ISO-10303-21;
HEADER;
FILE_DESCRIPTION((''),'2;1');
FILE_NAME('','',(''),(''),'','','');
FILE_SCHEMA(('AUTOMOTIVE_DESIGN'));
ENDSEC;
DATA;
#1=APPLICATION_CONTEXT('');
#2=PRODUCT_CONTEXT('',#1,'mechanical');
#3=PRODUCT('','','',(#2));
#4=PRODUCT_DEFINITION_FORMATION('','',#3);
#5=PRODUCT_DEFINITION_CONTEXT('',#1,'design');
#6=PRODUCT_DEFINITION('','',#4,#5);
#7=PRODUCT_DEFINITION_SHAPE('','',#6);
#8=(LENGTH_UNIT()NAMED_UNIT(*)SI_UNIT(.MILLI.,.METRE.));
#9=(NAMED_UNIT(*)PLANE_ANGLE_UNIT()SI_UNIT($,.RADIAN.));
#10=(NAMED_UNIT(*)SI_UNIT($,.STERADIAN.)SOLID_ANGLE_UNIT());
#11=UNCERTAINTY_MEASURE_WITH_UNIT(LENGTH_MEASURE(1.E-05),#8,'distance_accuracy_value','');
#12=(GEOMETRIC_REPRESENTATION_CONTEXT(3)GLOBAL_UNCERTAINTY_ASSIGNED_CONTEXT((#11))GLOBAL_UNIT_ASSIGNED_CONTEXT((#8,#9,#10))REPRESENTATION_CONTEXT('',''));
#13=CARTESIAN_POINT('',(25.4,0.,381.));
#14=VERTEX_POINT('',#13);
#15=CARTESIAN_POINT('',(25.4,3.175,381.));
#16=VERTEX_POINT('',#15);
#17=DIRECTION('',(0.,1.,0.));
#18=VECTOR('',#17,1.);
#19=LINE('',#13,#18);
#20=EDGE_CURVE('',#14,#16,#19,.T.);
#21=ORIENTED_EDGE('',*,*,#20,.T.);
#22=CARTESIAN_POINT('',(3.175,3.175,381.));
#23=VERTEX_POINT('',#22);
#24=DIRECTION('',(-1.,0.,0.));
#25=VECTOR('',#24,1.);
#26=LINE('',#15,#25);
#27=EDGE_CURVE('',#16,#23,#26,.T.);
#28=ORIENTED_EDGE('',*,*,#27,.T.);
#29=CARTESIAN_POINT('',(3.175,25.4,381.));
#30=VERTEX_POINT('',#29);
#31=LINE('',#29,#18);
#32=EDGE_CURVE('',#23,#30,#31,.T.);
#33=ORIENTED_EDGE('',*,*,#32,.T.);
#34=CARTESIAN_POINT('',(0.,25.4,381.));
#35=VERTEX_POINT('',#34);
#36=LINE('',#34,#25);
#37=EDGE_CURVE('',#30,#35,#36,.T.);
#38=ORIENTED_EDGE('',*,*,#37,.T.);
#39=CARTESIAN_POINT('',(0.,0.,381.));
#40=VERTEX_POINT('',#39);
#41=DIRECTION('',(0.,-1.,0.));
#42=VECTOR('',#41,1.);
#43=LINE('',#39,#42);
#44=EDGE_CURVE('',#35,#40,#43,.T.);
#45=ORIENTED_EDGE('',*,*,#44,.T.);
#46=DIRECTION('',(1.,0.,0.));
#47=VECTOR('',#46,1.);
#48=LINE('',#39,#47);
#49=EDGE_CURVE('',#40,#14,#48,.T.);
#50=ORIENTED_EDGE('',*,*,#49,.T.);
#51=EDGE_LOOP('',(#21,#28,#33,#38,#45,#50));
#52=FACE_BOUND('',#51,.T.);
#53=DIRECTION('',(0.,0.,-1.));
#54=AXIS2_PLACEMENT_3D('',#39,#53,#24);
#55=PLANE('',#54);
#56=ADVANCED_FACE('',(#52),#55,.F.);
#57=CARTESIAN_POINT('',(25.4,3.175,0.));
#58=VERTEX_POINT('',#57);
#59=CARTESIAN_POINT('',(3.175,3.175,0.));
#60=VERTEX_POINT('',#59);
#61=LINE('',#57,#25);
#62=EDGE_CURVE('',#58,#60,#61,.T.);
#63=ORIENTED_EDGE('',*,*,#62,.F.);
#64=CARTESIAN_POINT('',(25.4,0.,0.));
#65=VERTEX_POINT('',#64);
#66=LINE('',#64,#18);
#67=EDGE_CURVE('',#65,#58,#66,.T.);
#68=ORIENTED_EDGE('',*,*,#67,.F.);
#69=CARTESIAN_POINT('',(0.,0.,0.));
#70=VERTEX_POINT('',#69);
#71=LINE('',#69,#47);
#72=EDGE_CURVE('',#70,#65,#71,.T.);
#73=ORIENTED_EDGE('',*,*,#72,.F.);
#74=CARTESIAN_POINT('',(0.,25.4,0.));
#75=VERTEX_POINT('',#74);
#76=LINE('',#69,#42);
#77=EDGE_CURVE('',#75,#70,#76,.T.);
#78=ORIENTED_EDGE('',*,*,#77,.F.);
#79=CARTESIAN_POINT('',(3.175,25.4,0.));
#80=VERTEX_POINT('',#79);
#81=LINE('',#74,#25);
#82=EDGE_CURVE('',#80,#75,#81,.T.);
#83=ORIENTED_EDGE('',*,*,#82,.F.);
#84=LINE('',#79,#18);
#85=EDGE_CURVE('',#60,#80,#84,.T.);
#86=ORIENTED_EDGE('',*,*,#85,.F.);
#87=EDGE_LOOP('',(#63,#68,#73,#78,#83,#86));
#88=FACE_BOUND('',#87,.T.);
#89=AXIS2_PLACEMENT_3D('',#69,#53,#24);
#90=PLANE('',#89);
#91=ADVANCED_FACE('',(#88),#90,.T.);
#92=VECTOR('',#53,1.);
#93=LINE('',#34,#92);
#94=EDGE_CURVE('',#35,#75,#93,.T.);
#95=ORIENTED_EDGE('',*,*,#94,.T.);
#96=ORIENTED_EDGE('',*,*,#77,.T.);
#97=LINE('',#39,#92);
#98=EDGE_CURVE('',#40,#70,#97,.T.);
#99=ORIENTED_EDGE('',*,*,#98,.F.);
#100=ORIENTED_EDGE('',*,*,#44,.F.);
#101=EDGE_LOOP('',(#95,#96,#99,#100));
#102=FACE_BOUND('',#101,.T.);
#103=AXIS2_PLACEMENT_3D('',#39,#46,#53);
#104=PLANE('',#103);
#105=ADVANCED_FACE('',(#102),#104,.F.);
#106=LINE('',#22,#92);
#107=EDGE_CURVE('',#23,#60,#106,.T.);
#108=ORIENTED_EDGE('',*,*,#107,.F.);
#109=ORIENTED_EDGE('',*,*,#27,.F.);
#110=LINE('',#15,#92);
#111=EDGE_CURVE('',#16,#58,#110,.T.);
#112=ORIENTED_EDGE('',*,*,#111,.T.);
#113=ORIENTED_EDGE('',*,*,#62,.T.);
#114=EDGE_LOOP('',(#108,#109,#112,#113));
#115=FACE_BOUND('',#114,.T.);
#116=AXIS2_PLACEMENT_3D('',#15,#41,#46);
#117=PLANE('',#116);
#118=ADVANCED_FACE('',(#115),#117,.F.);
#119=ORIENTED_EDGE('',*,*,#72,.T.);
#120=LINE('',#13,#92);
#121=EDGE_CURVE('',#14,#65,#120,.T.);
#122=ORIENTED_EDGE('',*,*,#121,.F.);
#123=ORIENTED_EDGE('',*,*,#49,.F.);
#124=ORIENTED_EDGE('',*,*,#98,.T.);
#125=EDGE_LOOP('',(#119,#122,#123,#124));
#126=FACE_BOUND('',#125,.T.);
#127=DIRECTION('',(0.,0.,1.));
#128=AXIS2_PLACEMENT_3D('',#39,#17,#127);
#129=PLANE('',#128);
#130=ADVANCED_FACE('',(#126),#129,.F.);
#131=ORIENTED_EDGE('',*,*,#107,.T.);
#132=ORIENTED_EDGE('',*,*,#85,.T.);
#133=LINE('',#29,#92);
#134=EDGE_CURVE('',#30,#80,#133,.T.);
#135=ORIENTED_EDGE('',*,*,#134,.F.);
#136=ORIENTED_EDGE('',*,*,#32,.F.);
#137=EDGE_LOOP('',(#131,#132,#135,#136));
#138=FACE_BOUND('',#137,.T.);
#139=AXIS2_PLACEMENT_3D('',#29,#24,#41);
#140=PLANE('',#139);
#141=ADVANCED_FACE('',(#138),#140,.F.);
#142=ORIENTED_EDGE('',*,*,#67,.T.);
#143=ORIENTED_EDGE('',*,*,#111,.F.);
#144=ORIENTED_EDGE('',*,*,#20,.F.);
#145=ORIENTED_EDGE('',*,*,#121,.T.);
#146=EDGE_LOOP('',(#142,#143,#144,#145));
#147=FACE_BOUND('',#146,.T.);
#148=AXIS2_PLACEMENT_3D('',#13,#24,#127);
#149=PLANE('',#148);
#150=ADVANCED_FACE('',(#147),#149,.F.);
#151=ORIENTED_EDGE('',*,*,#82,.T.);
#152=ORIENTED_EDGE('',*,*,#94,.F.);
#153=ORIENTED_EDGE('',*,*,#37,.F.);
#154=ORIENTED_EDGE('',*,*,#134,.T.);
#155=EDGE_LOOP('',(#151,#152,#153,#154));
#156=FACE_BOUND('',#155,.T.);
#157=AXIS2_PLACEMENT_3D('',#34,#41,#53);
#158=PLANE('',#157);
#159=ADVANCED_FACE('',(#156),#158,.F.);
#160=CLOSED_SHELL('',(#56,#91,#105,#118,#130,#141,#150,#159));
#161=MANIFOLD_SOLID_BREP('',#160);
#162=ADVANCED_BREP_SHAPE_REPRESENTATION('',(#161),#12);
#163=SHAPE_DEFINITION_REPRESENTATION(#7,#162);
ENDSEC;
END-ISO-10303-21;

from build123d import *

# Parameters (mm, degrees)
BOSS_EXTRUDE1_DEPTH = 381


with BuildPart() as part:
    # Sketch1 → Boss-Extrude1 (new body)
    with BuildSketch(Plane.XY):
        Polygon((0, 0), (25.4, 0), (25.4, 3.175), (3.175, 3.175), (3.175, 25.4), (0, 25.4), align=None)
    extrude(amount=BOSS_EXTRUDE1_DEPTH)


solid = part.part
